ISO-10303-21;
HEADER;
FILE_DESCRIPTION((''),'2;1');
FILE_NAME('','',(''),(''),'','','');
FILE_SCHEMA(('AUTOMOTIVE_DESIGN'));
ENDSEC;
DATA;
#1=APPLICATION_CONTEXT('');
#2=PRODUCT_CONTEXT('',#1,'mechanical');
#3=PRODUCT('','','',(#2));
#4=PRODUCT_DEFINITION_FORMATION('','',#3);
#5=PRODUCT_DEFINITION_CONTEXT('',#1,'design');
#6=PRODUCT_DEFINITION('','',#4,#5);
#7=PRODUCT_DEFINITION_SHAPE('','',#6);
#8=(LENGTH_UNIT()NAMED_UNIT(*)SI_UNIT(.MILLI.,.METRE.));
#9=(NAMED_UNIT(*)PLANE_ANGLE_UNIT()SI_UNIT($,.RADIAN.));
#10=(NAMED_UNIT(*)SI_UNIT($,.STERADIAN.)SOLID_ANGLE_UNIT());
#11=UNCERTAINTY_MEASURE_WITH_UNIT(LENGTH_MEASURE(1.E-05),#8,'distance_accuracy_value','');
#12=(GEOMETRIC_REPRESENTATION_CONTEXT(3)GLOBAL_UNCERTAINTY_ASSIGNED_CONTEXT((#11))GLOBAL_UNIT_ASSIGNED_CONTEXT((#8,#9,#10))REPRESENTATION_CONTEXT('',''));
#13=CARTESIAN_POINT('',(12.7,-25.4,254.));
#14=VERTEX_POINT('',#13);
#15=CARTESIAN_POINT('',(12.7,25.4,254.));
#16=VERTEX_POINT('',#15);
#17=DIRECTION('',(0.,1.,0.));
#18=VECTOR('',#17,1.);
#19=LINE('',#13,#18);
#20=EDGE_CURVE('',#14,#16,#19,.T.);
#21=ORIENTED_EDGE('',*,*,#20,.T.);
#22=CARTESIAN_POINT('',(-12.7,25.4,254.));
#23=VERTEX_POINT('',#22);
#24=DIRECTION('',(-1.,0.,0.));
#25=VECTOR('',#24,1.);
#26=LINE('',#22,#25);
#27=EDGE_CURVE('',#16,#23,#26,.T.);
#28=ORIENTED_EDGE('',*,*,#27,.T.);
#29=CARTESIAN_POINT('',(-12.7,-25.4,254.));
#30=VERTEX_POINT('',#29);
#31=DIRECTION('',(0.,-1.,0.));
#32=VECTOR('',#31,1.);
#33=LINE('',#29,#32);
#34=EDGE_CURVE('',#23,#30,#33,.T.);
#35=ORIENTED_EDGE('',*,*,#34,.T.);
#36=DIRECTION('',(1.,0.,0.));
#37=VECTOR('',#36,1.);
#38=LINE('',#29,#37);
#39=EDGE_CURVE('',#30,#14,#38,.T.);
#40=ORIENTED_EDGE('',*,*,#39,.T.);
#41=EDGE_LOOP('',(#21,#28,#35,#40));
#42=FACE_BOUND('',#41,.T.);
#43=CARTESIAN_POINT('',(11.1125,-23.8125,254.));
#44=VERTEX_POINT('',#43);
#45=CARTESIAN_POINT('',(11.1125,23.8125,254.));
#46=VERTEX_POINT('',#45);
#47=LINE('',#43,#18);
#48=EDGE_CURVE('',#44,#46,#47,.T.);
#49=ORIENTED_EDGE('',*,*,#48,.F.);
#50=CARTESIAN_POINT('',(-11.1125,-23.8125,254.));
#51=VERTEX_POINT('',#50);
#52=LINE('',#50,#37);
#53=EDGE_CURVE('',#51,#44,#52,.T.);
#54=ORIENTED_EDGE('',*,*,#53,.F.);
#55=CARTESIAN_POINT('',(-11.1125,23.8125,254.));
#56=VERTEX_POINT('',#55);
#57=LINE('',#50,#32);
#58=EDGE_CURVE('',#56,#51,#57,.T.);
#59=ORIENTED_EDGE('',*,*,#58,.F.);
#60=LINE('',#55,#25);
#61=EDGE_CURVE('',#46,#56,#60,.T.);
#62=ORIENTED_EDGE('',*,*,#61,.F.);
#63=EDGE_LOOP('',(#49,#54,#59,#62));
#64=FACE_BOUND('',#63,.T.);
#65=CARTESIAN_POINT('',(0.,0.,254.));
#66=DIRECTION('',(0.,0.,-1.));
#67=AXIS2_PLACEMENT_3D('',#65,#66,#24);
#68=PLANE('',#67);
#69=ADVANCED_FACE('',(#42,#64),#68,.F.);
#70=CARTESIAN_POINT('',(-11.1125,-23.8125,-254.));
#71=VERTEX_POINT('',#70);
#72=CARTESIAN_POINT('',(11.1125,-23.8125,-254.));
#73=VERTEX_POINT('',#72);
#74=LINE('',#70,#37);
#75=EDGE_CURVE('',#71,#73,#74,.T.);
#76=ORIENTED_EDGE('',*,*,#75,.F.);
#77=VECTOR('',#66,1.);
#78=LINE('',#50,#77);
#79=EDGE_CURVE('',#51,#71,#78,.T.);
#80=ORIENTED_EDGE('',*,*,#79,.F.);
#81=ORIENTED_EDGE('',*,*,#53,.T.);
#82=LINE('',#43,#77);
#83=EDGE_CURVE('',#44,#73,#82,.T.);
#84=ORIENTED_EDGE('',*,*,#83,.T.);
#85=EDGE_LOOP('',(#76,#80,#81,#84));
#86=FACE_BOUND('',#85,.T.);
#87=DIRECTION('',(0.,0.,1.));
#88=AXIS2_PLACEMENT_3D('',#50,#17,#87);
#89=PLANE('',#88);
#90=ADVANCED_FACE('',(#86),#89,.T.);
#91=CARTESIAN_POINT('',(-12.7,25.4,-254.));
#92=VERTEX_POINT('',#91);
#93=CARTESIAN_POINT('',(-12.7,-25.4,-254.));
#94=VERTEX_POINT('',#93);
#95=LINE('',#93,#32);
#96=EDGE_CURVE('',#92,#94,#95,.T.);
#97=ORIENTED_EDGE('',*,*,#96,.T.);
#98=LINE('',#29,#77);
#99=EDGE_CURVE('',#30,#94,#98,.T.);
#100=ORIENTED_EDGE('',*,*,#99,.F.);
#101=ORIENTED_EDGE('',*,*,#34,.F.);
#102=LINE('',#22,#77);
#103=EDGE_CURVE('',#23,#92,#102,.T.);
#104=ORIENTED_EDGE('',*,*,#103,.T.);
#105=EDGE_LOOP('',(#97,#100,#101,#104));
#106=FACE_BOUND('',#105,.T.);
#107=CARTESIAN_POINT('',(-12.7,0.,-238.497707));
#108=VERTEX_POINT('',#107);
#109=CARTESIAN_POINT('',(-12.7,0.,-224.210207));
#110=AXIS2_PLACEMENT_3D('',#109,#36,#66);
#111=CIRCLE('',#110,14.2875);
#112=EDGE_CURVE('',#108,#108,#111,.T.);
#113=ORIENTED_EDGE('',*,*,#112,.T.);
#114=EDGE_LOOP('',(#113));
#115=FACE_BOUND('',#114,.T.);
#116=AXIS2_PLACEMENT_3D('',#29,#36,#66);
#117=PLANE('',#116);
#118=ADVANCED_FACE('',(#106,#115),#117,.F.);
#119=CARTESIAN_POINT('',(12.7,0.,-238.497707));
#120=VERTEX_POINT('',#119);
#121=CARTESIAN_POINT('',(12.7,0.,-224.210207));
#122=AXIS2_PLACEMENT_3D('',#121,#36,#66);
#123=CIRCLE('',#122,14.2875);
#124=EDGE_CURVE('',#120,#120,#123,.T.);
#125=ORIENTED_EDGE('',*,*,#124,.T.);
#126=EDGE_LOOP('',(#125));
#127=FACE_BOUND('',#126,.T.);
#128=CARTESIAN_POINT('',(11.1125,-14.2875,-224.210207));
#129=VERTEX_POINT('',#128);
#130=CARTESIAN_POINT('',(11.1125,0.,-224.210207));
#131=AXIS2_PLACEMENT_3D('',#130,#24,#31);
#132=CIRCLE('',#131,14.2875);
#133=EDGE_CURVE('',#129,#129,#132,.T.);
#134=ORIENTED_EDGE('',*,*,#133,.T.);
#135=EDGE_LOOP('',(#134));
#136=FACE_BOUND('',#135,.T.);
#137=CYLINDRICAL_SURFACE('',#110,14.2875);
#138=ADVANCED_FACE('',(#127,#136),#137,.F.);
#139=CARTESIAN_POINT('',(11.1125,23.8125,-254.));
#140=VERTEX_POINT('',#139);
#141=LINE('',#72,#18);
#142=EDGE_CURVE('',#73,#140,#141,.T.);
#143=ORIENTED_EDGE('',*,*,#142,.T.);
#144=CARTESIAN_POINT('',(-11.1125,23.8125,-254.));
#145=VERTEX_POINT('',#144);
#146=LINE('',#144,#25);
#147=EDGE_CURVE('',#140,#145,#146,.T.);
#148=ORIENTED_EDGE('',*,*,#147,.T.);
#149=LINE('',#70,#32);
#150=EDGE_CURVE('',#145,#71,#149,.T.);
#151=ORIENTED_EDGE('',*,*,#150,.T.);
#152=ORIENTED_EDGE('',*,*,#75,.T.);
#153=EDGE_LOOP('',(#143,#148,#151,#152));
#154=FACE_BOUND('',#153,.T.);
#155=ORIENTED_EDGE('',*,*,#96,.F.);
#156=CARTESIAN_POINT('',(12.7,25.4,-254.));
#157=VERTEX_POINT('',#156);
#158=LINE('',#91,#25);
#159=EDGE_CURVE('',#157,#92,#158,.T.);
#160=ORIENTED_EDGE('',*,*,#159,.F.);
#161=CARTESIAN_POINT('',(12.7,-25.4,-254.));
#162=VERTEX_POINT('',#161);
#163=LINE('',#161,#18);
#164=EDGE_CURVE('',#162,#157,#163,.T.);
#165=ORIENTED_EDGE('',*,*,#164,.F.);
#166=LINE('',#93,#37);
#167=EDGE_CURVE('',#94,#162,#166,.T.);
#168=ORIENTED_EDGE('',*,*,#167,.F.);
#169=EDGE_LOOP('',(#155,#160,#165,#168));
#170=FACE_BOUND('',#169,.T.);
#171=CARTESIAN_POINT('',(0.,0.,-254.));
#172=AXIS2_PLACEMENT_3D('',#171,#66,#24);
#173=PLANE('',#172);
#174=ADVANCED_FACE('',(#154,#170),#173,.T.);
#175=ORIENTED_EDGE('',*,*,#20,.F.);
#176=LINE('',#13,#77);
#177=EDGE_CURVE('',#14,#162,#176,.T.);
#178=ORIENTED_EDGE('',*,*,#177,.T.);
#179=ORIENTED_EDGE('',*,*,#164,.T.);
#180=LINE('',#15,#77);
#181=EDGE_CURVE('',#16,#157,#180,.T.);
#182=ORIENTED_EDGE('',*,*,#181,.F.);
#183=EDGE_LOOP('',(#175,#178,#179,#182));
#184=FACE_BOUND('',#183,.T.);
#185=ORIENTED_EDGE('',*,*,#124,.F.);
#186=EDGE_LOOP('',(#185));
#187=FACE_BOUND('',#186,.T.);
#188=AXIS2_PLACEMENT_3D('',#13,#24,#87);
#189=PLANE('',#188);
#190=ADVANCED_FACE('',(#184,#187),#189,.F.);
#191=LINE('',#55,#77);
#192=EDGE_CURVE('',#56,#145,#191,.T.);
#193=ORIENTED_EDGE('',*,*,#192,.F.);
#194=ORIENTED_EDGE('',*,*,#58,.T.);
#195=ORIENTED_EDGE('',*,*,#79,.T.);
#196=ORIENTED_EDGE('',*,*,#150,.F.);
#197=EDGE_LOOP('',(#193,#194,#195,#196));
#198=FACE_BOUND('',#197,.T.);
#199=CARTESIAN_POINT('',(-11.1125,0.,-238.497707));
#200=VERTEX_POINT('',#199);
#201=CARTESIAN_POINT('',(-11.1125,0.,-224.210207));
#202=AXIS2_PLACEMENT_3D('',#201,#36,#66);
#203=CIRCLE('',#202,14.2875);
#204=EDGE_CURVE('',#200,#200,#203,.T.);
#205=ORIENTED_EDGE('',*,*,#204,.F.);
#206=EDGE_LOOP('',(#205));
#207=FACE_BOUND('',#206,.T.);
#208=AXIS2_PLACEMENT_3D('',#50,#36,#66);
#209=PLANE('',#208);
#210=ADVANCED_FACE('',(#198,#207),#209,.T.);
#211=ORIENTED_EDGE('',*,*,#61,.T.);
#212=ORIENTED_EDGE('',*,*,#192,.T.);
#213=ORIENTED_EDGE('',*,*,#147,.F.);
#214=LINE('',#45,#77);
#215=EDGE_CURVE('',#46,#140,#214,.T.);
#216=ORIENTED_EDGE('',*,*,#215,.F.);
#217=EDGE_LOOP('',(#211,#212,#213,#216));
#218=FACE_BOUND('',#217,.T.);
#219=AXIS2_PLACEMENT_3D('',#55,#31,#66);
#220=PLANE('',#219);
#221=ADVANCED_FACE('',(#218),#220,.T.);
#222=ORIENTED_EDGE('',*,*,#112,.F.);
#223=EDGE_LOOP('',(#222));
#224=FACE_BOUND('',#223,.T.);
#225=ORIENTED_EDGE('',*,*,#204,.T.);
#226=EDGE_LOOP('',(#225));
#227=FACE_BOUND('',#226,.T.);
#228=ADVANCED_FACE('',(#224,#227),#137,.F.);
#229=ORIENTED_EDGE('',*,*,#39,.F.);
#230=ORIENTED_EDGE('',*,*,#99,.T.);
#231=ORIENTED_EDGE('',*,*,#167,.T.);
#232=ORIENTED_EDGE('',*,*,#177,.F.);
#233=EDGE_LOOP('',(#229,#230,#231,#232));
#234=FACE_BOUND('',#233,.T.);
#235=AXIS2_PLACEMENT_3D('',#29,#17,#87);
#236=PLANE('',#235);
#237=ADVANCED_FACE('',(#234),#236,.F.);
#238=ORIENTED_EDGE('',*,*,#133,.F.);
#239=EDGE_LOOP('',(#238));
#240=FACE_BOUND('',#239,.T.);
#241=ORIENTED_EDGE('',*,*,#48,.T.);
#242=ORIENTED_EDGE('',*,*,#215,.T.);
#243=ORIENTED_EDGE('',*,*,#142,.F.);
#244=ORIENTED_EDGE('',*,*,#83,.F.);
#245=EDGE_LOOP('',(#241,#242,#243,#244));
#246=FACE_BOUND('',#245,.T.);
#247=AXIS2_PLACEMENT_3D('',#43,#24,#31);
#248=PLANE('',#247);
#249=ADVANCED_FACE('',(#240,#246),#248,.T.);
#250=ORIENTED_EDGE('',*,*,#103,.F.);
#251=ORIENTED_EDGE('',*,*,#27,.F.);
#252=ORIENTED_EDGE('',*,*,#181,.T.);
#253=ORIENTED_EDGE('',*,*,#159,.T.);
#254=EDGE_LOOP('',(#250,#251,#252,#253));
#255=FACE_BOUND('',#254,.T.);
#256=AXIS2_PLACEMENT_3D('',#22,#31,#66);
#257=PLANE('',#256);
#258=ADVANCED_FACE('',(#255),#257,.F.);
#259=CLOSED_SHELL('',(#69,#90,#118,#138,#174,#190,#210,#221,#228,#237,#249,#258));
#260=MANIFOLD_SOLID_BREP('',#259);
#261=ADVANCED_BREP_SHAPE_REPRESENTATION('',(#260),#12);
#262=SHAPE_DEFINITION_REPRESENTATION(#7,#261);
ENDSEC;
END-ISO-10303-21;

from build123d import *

# Parameters (mm, degrees)
SKETCH1_W           = 25.4
SKETCH1_H           = 50.8
SKETCH1_W_2         = 22.225
SKETCH1_H_2         = 47.625
BOSS_EXTRUDE1_DEPTH = 254
SKETCH2_R           = 14.2875
CUT_EXTRUDE1_DEPTH  = 257.527425434


with BuildPart() as part:
    # Sketch1 → Boss-Extrude1 (new, symmetric)
    with BuildSketch(Plane.XY):
        Rectangle(SKETCH1_W, SKETCH1_H)
        Rectangle(SKETCH1_W_2, SKETCH1_H_2, mode=Mode.SUBTRACT)
    extrude(amount=BOSS_EXTRUDE1_DEPTH, both=True)

    # Sketch2 → Cut-Extrude1 (cut, through all)
    with BuildSketch(Plane(origin=(12.7, 0, 0), x_dir=(0, 0, -1), z_dir=(1, 0, 0))):
        with Locations((224.210207487, 0)):
            Circle(SKETCH2_R)
    extrude(amount=-CUT_EXTRUDE1_DEPTH, mode=Mode.SUBTRACT)


solid = part.part
